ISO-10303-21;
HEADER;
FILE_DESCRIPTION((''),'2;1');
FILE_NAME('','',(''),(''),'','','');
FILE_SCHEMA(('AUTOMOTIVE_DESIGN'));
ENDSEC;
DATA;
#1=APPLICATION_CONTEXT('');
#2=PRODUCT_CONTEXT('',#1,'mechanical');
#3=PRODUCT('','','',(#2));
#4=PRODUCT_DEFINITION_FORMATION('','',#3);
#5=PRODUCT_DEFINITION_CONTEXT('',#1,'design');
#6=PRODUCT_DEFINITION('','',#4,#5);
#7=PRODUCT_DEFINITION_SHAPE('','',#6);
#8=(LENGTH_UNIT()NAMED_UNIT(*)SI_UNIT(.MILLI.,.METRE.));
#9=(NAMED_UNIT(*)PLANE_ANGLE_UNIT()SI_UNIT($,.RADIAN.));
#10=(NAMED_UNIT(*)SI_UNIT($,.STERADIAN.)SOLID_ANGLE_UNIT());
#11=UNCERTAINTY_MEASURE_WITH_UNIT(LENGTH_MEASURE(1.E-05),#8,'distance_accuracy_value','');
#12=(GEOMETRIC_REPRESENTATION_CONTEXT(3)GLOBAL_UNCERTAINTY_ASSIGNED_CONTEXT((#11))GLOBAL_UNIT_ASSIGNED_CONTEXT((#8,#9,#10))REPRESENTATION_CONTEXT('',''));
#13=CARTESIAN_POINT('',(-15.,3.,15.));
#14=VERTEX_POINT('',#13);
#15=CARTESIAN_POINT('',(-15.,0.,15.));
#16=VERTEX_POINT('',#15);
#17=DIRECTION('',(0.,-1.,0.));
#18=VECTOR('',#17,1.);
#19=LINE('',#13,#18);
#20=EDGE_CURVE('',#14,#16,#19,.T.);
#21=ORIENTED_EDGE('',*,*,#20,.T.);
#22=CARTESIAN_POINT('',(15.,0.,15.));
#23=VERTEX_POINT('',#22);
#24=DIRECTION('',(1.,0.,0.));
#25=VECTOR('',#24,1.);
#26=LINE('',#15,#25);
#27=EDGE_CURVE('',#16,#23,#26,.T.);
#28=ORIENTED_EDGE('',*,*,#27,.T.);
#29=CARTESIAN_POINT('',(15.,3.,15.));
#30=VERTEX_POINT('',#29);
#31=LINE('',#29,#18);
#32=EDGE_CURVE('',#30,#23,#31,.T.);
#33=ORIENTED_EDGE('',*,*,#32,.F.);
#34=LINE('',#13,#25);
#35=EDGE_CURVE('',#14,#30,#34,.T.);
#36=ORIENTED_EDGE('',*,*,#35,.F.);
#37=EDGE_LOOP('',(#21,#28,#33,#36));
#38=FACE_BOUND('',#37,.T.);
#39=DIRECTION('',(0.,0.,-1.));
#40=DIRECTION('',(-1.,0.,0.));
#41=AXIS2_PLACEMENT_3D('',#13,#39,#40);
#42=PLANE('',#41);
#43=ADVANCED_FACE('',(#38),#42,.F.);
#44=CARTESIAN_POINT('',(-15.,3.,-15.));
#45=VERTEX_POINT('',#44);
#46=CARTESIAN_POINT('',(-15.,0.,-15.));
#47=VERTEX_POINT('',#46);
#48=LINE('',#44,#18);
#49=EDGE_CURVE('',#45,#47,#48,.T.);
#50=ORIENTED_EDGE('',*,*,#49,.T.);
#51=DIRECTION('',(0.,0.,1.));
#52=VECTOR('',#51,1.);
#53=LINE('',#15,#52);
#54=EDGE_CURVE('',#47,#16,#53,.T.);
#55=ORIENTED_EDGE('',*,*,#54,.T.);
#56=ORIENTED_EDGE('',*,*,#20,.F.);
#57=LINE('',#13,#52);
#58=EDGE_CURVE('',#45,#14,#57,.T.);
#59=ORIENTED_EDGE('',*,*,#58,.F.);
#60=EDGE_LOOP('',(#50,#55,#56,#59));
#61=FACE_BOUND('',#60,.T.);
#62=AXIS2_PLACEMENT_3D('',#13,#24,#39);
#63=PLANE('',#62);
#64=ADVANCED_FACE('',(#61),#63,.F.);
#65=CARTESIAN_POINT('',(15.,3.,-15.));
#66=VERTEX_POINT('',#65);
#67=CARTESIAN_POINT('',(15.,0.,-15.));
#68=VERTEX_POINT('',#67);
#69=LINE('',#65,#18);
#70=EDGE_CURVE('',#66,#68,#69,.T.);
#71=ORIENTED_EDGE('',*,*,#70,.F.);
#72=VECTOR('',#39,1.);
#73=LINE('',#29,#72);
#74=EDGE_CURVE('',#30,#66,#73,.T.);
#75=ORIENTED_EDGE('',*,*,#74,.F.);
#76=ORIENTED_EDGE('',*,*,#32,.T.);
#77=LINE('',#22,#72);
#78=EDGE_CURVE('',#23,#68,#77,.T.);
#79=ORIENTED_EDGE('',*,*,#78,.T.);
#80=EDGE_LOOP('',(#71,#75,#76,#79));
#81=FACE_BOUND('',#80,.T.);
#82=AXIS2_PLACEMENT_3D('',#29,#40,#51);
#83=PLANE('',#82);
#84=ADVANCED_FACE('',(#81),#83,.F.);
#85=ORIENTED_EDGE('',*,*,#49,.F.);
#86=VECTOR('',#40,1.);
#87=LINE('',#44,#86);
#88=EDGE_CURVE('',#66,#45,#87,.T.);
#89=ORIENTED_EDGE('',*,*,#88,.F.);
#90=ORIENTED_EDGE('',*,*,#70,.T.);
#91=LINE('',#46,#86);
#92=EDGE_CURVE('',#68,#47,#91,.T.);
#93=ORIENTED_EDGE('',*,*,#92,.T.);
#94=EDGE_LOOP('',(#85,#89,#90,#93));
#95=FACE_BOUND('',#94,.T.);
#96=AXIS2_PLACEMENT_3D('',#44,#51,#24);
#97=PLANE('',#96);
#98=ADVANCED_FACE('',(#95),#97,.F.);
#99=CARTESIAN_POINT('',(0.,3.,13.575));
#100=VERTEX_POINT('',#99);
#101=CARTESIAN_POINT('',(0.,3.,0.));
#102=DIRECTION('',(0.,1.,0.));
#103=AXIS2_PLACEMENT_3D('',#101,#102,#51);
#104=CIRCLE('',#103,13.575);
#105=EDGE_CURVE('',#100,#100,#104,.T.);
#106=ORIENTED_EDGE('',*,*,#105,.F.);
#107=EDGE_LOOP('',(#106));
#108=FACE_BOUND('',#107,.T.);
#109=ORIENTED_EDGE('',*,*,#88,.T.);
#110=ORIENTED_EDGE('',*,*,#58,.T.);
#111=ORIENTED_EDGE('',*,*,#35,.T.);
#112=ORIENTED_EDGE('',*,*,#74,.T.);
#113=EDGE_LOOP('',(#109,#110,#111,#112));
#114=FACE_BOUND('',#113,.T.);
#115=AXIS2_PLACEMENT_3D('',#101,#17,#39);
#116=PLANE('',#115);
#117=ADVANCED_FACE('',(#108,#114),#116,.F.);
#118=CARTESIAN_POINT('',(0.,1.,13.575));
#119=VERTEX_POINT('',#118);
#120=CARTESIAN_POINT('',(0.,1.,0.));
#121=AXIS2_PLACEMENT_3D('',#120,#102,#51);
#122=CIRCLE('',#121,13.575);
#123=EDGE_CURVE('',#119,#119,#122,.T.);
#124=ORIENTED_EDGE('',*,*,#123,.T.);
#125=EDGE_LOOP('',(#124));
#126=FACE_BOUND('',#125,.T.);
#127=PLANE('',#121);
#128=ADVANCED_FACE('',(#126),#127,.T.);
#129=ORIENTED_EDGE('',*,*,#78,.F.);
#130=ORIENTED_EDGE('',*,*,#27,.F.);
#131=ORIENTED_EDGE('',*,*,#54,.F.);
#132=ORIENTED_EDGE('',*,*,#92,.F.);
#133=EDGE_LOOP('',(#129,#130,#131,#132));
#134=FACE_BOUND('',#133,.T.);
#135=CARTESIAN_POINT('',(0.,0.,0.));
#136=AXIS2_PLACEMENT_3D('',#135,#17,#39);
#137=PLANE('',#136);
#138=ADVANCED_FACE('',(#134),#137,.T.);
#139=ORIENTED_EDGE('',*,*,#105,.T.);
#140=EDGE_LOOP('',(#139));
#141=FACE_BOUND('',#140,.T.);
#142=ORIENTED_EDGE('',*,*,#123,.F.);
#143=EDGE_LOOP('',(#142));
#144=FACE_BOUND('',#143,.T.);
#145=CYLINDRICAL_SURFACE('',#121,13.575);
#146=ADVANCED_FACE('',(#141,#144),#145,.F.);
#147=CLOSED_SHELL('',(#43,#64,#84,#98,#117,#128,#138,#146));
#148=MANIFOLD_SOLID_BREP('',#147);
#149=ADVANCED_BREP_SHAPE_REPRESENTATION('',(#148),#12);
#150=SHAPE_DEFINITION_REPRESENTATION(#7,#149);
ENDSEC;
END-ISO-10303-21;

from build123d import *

# Parameters (mm, degrees)
CROQUIS1_W              = 30
CROQUIS1_H              = 30
SALIENTE_EXTRUIR1_DEPTH = 3
CROQUIS2_R              = 13.575
CORTAR_EXTRUIR1_DEPTH   = 2


with BuildPart() as part:
    # Croquis1 → Saliente-Extruir1 (new body)
    with BuildSketch(Plane(origin=(0, 0, 0), x_dir=(1, 0, 0), z_dir=(0, 1, 0))):
        Rectangle(CROQUIS1_W, CROQUIS1_H)
    extrude(amount=SALIENTE_EXTRUIR1_DEPTH)

    # Croquis2 → Cortar-Extruir1 (cut)
    with BuildSketch(Plane(origin=(0, 3, 0), x_dir=(1, 0, 0), z_dir=(0, 1, 0))):
        with Locations(Location((0, 0, 0), (0, 0, 270))):
            Circle(CROQUIS2_R)
    extrude(amount=-CORTAR_EXTRUIR1_DEPTH, mode=Mode.SUBTRACT)


solid = part.part
